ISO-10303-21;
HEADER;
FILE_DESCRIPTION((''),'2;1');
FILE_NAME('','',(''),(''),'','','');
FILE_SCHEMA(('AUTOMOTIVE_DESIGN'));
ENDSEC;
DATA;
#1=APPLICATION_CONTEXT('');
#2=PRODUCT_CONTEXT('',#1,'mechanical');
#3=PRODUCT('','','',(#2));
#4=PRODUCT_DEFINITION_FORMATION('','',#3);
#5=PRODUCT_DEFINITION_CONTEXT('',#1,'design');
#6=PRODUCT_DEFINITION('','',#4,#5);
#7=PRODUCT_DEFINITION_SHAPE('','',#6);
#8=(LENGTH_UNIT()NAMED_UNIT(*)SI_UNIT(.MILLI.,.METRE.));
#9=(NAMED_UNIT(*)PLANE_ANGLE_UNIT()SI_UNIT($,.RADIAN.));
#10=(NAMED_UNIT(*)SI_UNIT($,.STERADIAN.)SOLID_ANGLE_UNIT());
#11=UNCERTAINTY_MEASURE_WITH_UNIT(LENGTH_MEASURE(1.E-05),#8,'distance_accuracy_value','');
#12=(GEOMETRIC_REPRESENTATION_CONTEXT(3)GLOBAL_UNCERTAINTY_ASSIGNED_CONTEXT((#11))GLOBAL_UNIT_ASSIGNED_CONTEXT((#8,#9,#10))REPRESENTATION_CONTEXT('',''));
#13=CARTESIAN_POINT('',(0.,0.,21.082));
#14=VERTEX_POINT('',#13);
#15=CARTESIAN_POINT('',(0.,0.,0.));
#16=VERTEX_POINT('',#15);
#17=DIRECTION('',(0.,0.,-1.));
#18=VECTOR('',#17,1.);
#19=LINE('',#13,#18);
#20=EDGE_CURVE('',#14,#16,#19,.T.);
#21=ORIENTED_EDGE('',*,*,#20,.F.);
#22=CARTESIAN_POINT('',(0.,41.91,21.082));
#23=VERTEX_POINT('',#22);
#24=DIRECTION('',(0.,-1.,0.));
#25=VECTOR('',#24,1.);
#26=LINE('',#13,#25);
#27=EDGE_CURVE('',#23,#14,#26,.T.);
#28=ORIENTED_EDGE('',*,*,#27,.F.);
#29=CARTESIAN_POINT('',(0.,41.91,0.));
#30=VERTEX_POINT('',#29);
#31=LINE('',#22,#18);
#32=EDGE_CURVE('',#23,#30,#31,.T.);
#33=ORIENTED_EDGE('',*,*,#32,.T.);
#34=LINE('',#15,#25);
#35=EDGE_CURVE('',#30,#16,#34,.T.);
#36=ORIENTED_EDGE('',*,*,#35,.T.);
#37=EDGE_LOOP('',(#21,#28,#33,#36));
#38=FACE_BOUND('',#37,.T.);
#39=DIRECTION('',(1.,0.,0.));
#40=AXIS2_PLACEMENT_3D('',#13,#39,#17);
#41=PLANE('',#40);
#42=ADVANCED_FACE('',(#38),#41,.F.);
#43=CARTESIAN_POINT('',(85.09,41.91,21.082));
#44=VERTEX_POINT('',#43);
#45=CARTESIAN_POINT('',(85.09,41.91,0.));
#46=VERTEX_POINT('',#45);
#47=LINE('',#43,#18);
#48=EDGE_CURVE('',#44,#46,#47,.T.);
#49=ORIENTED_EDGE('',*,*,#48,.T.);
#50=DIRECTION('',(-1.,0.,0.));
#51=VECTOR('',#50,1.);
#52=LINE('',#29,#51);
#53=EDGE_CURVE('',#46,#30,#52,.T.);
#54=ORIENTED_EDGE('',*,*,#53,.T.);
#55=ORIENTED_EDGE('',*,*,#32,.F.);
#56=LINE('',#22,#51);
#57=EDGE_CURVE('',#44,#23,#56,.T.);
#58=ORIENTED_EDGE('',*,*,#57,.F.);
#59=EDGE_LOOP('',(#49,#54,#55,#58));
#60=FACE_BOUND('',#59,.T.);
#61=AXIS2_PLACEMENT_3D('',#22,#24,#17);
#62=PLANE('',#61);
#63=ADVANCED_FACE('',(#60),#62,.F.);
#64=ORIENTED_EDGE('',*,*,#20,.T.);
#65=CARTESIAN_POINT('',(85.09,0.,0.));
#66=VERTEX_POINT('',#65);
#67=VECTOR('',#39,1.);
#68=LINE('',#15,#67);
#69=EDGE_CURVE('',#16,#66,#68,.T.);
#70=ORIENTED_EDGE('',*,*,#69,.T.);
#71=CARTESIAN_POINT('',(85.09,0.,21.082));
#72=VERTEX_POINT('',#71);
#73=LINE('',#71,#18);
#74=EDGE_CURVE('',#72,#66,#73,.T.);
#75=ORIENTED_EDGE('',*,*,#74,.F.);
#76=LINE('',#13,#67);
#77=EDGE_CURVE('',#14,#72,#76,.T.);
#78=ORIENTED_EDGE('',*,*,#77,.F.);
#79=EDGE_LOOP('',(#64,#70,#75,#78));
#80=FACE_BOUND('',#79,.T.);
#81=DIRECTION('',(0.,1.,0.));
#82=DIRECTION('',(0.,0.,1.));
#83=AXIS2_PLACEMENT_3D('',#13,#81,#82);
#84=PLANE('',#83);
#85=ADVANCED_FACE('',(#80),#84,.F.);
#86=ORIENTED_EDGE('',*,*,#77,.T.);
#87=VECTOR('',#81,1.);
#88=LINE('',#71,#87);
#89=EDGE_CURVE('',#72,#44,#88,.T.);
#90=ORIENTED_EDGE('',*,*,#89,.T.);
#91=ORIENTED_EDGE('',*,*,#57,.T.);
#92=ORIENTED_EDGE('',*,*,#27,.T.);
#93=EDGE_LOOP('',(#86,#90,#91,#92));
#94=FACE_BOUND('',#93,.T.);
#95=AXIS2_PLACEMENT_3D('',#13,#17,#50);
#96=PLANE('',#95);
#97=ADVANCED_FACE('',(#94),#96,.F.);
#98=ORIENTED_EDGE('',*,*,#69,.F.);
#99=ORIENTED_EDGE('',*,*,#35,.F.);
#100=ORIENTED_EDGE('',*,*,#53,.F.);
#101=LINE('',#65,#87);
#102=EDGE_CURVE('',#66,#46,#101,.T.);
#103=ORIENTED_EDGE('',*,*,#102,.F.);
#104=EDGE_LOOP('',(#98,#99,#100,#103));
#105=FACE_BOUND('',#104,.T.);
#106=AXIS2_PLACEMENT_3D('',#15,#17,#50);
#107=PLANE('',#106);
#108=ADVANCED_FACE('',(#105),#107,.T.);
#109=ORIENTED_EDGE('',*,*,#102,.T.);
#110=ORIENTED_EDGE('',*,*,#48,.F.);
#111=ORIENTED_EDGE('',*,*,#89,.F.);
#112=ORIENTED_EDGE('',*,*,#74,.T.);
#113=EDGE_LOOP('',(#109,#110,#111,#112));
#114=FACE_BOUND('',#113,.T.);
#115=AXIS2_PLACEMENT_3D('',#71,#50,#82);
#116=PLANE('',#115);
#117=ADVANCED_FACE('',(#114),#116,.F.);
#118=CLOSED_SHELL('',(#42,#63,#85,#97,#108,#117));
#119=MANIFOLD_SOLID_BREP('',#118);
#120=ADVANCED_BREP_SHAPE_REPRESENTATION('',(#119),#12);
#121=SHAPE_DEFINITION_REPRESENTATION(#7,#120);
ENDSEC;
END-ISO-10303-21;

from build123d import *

# Parameters (mm, degrees)
SKETCH1_W           = 85.09
SKETCH1_H           = 41.91
BOSS_EXTRUDE1_DEPTH = 21.082


with BuildPart() as part:
    # Sketch1 → Boss-Extrude1 (new body)
    with BuildSketch(Plane.XY):
        with Locations((42.545, 20.955)):
            Rectangle(SKETCH1_W, SKETCH1_H)
    extrude(amount=BOSS_EXTRUDE1_DEPTH)


solid = part.part
